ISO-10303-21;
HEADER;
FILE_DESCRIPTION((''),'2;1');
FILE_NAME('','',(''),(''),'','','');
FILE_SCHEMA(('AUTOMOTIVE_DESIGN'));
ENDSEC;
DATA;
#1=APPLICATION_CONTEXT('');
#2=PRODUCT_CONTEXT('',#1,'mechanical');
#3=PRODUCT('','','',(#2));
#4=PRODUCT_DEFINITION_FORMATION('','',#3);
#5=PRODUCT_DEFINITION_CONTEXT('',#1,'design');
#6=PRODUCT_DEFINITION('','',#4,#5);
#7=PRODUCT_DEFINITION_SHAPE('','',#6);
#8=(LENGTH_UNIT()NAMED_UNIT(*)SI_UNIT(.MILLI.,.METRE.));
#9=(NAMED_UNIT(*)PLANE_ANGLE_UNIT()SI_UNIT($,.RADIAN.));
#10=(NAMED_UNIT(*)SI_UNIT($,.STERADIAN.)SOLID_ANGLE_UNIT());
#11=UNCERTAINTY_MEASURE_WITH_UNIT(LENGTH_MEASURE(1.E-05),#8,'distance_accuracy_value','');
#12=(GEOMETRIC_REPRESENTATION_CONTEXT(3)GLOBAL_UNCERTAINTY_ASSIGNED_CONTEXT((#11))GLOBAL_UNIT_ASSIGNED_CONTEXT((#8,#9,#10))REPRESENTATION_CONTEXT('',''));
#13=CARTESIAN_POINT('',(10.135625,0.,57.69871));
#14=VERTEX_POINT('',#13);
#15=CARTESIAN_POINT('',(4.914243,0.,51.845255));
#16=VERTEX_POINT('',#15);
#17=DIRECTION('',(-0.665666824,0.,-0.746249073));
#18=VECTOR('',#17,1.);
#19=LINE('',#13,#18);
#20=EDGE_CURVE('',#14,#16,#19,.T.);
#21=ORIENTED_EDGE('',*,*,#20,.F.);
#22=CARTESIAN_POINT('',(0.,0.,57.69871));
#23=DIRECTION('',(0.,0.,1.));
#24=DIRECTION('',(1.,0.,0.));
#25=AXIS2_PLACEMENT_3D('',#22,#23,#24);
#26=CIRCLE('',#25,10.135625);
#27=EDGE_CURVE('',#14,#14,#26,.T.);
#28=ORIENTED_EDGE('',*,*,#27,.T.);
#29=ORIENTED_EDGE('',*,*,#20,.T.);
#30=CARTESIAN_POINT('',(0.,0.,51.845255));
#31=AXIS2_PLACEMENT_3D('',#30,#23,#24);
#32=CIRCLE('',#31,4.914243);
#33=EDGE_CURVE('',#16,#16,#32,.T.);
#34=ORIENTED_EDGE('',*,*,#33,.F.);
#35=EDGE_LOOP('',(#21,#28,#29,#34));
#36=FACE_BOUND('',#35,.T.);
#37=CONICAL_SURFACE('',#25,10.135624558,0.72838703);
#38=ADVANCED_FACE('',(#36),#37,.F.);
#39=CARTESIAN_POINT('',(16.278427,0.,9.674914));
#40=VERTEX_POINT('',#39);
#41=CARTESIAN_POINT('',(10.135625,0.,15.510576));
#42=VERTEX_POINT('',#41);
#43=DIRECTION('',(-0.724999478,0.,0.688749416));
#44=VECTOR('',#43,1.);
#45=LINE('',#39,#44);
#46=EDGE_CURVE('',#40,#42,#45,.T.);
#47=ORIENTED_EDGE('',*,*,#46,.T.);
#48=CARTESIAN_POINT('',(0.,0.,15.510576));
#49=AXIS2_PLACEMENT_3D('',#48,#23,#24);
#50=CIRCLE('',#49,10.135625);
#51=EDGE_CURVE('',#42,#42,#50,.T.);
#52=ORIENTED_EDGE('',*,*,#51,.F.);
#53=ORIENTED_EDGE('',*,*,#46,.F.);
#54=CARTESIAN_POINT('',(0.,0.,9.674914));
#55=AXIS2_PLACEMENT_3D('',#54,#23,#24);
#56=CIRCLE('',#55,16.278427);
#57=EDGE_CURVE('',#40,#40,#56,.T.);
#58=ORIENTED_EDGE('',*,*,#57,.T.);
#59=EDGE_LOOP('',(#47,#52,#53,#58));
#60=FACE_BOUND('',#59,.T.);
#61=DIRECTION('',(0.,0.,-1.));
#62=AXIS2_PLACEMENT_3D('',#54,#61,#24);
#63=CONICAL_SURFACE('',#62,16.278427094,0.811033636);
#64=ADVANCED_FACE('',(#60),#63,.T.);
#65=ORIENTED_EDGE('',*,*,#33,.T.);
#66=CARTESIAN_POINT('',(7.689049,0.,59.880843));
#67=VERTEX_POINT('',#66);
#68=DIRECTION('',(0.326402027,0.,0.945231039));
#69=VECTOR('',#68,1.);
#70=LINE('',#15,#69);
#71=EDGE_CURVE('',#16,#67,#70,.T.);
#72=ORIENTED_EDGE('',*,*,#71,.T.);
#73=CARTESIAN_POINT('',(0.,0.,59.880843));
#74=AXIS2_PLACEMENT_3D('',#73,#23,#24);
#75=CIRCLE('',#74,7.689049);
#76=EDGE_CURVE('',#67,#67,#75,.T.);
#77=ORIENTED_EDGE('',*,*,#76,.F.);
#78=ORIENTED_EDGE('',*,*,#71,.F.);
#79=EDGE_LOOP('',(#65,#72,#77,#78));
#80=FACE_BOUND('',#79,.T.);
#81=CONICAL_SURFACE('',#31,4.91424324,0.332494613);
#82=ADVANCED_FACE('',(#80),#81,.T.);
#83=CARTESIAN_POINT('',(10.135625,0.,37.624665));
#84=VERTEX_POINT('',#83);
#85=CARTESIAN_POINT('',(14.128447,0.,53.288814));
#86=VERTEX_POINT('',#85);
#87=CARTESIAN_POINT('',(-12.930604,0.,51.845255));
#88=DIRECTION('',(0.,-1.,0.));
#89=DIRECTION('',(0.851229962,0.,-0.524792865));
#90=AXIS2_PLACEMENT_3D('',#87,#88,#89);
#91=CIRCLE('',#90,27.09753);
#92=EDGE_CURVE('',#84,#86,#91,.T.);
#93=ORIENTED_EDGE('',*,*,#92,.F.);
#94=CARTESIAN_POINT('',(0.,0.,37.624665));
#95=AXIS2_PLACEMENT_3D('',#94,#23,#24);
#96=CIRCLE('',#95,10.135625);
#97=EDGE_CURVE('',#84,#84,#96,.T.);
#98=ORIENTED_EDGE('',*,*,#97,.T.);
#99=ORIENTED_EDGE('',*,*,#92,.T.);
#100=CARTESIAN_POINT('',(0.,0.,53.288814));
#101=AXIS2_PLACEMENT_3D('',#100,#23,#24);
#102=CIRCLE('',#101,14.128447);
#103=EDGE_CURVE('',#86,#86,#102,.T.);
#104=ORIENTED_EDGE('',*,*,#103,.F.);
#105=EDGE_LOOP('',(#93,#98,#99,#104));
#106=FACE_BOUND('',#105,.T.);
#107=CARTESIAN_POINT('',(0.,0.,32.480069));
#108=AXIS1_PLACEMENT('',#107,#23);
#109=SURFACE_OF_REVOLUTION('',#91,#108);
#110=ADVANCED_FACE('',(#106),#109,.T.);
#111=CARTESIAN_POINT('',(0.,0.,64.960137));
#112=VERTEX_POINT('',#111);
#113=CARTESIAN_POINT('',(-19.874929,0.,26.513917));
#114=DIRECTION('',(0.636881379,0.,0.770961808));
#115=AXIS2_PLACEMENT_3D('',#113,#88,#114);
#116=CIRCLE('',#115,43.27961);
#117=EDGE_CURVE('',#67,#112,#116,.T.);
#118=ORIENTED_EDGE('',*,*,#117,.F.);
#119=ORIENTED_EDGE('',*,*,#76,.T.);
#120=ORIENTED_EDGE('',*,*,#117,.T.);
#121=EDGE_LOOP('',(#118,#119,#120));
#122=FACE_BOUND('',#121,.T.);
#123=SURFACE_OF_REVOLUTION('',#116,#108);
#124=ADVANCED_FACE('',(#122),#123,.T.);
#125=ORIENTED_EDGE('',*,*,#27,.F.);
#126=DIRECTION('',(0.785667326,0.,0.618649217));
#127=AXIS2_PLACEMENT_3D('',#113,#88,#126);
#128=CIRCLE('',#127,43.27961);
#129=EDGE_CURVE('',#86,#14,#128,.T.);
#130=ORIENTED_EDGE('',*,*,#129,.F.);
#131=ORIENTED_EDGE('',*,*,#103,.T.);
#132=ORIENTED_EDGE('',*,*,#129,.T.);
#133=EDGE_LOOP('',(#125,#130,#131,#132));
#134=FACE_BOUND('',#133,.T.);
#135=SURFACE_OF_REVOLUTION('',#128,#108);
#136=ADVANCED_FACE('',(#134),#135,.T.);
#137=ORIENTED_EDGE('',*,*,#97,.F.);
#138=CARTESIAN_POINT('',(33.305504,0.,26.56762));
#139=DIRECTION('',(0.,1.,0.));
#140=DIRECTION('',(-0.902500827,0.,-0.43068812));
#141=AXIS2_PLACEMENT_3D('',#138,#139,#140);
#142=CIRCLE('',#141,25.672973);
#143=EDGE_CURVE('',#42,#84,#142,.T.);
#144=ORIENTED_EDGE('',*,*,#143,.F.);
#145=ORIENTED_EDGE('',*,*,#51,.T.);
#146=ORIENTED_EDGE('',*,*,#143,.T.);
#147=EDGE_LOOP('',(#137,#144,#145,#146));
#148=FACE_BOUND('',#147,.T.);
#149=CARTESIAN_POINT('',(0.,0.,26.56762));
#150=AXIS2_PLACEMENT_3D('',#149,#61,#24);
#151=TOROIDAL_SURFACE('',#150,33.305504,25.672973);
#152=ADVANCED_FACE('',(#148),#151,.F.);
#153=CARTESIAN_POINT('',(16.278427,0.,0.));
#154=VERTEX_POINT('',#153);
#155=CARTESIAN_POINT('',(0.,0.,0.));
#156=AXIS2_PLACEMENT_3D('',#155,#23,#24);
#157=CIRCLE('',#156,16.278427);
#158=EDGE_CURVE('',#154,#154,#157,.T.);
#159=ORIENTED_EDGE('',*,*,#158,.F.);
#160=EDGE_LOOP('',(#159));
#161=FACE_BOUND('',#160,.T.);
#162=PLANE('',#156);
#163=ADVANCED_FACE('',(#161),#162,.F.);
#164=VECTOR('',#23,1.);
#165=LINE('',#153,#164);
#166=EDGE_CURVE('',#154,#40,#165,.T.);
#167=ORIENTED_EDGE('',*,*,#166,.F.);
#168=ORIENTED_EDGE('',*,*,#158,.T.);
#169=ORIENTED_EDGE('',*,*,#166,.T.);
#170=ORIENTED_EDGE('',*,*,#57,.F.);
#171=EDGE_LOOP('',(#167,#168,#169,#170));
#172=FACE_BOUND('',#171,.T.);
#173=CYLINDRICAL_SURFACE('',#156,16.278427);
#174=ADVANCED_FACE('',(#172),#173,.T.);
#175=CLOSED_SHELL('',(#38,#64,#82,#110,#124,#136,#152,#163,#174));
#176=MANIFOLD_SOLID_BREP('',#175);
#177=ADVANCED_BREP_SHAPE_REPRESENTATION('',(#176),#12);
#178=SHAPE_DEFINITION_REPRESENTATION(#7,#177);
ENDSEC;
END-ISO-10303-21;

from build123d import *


with BuildPart() as f1:
    # F0 (on Front) → F1 (revolve)
    with BuildSketch(Plane.XZ):
        with BuildLine():
            ThreePointArc((10.1356245577, 37.6246646047), (13.3272956222, 45.1520650335), (14.128446579, 53.2888136804))
            ThreePointArc((14.128446579, 53.2888136804), (12.2078947119, 55.5624464713), (10.1356245577, 57.6987100202))
            Line((10.1356245577, 57.6987100202), (4.9142432399, 51.845254764))
            Line((4.9142432399, 51.845254764), (7.6890488201, 59.8808432291))
            ThreePointArc((7.6890488201, 59.8808432291), (3.9800972298, 62.6257206248), (0, 64.9601370096))
            Line((0, 64.9601370096), (0, 0))
            Line((0, 0), (16.2784270942, 0))
            Line((16.2784270942, 0), (16.2784270942, 9.6749141812))
            Line((16.2784270942, 9.6749141812), (10.1356245577, 15.5105758458))
            ThreePointArc((10.1356245577, 15.5105758458), (7.6325309522, 26.5676202253), (10.1356245577, 37.6246646047))
        make_face()
    revolve(axis=Axis((0, 0, 32.4800685048), (0, 0, 1)))


solid = f1.part
